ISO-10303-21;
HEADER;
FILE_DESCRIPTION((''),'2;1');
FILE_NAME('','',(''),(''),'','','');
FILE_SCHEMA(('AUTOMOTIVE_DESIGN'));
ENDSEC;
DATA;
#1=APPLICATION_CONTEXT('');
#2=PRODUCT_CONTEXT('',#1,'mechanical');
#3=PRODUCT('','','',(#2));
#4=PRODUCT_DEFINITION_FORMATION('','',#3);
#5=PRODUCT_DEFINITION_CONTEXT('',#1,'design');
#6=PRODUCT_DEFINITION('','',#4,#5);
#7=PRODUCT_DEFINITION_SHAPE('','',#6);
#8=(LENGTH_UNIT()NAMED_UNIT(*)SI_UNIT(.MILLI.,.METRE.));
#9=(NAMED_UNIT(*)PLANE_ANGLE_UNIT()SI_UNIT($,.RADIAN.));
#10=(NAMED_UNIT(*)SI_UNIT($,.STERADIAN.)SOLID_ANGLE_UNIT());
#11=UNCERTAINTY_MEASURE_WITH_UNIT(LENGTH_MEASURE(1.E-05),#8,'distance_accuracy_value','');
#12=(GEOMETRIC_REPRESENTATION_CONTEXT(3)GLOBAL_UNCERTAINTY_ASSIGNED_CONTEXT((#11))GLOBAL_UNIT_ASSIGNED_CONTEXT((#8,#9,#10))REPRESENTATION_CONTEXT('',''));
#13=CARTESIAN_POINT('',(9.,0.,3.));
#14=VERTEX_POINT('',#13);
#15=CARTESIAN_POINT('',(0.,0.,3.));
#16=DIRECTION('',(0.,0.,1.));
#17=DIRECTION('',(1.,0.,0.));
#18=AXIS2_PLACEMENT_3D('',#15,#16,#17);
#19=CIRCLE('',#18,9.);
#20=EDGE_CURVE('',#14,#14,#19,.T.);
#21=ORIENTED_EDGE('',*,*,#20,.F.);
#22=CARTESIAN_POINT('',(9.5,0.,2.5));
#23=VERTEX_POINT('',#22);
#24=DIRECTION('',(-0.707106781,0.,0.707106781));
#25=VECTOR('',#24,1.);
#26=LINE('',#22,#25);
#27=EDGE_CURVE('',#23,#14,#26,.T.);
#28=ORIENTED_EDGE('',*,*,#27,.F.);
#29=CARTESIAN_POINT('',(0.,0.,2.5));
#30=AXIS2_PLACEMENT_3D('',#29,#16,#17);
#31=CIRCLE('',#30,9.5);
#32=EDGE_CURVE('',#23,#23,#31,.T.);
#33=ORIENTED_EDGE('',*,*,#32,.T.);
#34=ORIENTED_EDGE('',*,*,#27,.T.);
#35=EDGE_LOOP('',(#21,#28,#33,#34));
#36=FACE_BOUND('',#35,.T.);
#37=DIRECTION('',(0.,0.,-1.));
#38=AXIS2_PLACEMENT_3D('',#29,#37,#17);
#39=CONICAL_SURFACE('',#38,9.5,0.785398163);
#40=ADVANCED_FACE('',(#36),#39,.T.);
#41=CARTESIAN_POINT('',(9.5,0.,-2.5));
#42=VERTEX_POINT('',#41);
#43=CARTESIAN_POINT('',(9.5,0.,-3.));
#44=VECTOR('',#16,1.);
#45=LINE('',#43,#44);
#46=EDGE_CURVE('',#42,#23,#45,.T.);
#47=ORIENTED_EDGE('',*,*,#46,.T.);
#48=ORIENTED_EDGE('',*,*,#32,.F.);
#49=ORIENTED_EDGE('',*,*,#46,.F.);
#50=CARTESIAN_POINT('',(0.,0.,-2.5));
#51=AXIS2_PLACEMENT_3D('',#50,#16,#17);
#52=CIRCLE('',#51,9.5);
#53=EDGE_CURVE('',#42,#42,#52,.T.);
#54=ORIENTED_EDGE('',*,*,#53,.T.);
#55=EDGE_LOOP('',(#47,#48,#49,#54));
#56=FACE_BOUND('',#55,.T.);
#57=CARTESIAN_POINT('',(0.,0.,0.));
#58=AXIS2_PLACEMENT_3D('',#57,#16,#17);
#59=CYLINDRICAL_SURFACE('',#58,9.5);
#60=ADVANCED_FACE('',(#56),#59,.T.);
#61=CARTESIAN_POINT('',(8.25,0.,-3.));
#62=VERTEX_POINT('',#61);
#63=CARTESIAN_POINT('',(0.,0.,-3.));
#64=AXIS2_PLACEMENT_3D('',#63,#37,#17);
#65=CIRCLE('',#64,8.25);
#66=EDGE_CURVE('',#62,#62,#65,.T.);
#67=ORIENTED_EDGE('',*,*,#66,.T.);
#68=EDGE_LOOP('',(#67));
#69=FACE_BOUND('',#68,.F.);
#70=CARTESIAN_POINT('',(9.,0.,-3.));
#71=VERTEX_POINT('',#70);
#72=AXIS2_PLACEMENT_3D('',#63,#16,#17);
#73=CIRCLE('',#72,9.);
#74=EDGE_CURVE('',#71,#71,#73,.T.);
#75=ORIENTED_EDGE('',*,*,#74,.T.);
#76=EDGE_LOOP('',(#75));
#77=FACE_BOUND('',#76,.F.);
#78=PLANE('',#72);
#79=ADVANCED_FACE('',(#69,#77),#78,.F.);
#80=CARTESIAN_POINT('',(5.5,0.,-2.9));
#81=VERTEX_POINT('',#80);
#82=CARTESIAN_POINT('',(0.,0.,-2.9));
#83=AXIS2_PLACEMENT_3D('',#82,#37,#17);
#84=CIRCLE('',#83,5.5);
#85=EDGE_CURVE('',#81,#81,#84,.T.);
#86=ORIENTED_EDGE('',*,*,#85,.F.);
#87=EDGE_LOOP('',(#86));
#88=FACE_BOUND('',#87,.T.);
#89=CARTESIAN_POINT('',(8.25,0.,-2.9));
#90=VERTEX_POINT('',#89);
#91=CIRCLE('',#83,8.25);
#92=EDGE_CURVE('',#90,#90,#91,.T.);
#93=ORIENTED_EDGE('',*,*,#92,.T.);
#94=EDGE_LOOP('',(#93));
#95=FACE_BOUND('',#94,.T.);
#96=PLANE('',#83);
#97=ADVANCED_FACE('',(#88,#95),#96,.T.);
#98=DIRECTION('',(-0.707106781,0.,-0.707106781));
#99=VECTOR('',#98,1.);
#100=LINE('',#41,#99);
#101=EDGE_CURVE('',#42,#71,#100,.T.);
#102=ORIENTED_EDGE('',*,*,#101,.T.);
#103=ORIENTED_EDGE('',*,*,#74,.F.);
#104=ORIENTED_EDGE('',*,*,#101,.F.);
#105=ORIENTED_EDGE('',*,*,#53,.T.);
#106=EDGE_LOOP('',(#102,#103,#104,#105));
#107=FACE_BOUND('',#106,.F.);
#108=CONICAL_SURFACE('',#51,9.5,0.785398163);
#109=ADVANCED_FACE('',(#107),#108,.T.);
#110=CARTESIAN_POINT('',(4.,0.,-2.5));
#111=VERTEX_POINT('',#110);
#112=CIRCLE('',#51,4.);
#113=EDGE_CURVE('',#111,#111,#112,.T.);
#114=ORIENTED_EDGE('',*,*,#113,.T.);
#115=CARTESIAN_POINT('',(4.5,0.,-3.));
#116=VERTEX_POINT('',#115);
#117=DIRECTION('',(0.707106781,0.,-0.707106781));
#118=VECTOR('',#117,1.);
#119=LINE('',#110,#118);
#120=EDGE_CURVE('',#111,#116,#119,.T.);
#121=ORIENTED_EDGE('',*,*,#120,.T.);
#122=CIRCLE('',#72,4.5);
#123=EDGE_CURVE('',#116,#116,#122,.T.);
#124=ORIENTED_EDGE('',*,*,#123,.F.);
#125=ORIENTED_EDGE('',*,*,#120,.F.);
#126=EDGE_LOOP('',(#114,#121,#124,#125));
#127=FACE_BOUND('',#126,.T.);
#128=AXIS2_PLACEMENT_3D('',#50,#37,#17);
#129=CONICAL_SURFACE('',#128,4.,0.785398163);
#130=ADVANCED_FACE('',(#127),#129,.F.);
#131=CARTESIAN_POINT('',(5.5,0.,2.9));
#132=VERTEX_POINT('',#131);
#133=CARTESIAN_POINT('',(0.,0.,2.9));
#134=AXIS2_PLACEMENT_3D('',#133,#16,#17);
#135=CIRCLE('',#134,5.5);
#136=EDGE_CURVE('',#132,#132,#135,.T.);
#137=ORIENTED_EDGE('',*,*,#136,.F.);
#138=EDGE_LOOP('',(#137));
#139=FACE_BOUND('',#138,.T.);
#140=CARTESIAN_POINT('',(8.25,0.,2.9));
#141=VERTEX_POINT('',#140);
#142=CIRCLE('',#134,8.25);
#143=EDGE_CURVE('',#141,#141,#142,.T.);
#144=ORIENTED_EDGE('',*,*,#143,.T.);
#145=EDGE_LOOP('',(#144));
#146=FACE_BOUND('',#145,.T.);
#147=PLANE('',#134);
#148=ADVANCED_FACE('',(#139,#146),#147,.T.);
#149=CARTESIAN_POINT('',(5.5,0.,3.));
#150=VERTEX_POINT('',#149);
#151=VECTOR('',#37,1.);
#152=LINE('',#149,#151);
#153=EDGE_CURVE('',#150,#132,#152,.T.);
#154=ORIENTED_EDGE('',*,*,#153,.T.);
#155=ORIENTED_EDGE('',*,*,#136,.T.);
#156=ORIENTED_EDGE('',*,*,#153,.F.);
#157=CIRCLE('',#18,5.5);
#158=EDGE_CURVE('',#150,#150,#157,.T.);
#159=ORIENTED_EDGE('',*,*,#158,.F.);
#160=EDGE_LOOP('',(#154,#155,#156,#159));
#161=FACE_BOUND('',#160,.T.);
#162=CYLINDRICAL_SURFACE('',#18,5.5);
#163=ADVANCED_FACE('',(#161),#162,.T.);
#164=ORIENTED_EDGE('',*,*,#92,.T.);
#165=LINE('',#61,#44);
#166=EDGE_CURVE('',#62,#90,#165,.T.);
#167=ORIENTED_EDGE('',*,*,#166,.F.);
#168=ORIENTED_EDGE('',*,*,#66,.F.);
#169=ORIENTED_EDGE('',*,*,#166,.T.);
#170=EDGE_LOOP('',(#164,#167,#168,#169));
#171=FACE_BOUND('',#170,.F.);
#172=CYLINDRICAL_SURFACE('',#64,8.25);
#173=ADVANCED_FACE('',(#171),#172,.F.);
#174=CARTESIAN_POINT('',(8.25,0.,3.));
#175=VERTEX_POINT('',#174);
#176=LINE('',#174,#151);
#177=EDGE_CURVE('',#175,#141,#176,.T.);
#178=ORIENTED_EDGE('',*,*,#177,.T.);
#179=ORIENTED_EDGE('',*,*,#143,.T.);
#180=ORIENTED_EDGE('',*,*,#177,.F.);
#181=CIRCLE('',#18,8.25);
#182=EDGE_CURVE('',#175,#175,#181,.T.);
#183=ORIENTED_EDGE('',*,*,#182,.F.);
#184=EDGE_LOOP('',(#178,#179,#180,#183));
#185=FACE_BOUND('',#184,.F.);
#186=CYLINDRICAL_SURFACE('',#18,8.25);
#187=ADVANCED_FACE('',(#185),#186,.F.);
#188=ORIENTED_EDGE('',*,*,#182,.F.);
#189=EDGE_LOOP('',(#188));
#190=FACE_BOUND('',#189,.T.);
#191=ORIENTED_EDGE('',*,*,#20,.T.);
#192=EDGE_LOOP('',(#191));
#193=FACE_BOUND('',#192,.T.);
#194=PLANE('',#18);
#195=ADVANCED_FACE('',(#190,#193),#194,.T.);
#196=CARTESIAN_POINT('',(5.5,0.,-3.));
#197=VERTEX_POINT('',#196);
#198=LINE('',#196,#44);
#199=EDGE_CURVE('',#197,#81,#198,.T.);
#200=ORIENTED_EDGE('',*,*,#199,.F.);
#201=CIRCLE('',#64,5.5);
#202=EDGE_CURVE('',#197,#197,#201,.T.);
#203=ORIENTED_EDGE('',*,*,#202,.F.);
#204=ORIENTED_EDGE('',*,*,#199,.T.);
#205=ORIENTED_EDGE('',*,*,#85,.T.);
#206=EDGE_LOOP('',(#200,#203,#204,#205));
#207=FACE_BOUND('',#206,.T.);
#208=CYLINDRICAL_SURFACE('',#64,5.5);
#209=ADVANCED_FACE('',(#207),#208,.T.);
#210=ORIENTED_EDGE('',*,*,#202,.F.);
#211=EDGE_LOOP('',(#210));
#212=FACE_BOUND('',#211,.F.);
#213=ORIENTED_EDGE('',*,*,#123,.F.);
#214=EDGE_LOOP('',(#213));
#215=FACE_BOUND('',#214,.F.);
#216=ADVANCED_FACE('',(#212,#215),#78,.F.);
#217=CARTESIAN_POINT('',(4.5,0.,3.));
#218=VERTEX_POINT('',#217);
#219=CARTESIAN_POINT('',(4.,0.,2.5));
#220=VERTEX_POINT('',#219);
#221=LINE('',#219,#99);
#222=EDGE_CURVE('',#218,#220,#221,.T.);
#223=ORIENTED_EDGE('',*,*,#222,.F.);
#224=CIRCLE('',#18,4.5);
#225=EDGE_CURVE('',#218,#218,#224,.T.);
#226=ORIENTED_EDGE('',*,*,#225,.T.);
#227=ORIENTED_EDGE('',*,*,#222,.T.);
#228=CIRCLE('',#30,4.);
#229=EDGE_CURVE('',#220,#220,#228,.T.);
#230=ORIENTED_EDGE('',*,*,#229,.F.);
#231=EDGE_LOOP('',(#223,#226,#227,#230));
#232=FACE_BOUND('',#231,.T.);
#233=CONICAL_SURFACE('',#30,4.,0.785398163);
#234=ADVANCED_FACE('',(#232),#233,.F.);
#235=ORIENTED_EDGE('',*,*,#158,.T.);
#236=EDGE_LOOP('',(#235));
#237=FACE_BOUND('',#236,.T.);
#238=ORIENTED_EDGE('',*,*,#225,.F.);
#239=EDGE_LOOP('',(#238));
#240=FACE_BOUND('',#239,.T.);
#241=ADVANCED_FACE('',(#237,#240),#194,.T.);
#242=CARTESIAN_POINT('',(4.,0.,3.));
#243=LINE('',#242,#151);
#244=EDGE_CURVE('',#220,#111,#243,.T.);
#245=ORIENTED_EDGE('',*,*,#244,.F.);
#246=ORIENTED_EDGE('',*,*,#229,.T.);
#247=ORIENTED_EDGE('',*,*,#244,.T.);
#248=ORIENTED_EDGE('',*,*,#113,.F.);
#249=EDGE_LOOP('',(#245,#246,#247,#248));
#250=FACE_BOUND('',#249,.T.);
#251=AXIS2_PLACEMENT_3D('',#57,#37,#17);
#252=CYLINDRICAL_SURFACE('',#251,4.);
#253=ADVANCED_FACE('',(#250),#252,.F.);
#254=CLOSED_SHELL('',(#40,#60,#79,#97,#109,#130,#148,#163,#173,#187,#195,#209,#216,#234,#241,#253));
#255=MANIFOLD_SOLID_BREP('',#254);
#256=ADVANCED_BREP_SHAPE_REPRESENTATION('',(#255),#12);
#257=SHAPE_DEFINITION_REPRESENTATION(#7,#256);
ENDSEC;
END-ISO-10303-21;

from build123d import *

# Parameters (mm, degrees)
F0_R     = 9.5
F0_R_2   = 4
F1_DEPTH = 3
F2_SIZE  = 0.5
F3_R     = 8.25
F3_R_2   = 5.5
F4_DEPTH = 0.1
F5_R     = 8.25
F5_R_2   = 5.5
F6_DEPTH = 0.1


with BuildPart() as f1:
    # F0 (on Top) → F1 (new body, symmetric)
    with BuildSketch(Plane.XY):
        Circle(F0_R)
        Circle(F0_R_2, mode=Mode.SUBTRACT)
    extrude(amount=F1_DEPTH, both=True)

    # F2
    f2_edges = [f1.edges().sort_by_distance(p)[0] for p in [
        (-9.5, 0, 3),
        (-4, 0, 3),
        (-9.5, 0, -3),
        (-4, 0, -3),
    ]]
    chamfer(f2_edges, length=F2_SIZE)

    # F3 (on face) → F4 (cut)
    with BuildSketch(Plane(origin=(0, 0, -3), x_dir=(1, 0, 0), z_dir=(0, 0, -1))):
        Circle(F3_R)
        Circle(F3_R_2, mode=Mode.SUBTRACT)
    extrude(amount=-F4_DEPTH, mode=Mode.SUBTRACT)

    # F5 (on face) → F6 (cut)
    with BuildSketch(Plane.XY.offset(3)):
        Circle(F5_R)
        Circle(F5_R_2, mode=Mode.SUBTRACT)
    extrude(amount=-F6_DEPTH, mode=Mode.SUBTRACT)


solid = f1.part
